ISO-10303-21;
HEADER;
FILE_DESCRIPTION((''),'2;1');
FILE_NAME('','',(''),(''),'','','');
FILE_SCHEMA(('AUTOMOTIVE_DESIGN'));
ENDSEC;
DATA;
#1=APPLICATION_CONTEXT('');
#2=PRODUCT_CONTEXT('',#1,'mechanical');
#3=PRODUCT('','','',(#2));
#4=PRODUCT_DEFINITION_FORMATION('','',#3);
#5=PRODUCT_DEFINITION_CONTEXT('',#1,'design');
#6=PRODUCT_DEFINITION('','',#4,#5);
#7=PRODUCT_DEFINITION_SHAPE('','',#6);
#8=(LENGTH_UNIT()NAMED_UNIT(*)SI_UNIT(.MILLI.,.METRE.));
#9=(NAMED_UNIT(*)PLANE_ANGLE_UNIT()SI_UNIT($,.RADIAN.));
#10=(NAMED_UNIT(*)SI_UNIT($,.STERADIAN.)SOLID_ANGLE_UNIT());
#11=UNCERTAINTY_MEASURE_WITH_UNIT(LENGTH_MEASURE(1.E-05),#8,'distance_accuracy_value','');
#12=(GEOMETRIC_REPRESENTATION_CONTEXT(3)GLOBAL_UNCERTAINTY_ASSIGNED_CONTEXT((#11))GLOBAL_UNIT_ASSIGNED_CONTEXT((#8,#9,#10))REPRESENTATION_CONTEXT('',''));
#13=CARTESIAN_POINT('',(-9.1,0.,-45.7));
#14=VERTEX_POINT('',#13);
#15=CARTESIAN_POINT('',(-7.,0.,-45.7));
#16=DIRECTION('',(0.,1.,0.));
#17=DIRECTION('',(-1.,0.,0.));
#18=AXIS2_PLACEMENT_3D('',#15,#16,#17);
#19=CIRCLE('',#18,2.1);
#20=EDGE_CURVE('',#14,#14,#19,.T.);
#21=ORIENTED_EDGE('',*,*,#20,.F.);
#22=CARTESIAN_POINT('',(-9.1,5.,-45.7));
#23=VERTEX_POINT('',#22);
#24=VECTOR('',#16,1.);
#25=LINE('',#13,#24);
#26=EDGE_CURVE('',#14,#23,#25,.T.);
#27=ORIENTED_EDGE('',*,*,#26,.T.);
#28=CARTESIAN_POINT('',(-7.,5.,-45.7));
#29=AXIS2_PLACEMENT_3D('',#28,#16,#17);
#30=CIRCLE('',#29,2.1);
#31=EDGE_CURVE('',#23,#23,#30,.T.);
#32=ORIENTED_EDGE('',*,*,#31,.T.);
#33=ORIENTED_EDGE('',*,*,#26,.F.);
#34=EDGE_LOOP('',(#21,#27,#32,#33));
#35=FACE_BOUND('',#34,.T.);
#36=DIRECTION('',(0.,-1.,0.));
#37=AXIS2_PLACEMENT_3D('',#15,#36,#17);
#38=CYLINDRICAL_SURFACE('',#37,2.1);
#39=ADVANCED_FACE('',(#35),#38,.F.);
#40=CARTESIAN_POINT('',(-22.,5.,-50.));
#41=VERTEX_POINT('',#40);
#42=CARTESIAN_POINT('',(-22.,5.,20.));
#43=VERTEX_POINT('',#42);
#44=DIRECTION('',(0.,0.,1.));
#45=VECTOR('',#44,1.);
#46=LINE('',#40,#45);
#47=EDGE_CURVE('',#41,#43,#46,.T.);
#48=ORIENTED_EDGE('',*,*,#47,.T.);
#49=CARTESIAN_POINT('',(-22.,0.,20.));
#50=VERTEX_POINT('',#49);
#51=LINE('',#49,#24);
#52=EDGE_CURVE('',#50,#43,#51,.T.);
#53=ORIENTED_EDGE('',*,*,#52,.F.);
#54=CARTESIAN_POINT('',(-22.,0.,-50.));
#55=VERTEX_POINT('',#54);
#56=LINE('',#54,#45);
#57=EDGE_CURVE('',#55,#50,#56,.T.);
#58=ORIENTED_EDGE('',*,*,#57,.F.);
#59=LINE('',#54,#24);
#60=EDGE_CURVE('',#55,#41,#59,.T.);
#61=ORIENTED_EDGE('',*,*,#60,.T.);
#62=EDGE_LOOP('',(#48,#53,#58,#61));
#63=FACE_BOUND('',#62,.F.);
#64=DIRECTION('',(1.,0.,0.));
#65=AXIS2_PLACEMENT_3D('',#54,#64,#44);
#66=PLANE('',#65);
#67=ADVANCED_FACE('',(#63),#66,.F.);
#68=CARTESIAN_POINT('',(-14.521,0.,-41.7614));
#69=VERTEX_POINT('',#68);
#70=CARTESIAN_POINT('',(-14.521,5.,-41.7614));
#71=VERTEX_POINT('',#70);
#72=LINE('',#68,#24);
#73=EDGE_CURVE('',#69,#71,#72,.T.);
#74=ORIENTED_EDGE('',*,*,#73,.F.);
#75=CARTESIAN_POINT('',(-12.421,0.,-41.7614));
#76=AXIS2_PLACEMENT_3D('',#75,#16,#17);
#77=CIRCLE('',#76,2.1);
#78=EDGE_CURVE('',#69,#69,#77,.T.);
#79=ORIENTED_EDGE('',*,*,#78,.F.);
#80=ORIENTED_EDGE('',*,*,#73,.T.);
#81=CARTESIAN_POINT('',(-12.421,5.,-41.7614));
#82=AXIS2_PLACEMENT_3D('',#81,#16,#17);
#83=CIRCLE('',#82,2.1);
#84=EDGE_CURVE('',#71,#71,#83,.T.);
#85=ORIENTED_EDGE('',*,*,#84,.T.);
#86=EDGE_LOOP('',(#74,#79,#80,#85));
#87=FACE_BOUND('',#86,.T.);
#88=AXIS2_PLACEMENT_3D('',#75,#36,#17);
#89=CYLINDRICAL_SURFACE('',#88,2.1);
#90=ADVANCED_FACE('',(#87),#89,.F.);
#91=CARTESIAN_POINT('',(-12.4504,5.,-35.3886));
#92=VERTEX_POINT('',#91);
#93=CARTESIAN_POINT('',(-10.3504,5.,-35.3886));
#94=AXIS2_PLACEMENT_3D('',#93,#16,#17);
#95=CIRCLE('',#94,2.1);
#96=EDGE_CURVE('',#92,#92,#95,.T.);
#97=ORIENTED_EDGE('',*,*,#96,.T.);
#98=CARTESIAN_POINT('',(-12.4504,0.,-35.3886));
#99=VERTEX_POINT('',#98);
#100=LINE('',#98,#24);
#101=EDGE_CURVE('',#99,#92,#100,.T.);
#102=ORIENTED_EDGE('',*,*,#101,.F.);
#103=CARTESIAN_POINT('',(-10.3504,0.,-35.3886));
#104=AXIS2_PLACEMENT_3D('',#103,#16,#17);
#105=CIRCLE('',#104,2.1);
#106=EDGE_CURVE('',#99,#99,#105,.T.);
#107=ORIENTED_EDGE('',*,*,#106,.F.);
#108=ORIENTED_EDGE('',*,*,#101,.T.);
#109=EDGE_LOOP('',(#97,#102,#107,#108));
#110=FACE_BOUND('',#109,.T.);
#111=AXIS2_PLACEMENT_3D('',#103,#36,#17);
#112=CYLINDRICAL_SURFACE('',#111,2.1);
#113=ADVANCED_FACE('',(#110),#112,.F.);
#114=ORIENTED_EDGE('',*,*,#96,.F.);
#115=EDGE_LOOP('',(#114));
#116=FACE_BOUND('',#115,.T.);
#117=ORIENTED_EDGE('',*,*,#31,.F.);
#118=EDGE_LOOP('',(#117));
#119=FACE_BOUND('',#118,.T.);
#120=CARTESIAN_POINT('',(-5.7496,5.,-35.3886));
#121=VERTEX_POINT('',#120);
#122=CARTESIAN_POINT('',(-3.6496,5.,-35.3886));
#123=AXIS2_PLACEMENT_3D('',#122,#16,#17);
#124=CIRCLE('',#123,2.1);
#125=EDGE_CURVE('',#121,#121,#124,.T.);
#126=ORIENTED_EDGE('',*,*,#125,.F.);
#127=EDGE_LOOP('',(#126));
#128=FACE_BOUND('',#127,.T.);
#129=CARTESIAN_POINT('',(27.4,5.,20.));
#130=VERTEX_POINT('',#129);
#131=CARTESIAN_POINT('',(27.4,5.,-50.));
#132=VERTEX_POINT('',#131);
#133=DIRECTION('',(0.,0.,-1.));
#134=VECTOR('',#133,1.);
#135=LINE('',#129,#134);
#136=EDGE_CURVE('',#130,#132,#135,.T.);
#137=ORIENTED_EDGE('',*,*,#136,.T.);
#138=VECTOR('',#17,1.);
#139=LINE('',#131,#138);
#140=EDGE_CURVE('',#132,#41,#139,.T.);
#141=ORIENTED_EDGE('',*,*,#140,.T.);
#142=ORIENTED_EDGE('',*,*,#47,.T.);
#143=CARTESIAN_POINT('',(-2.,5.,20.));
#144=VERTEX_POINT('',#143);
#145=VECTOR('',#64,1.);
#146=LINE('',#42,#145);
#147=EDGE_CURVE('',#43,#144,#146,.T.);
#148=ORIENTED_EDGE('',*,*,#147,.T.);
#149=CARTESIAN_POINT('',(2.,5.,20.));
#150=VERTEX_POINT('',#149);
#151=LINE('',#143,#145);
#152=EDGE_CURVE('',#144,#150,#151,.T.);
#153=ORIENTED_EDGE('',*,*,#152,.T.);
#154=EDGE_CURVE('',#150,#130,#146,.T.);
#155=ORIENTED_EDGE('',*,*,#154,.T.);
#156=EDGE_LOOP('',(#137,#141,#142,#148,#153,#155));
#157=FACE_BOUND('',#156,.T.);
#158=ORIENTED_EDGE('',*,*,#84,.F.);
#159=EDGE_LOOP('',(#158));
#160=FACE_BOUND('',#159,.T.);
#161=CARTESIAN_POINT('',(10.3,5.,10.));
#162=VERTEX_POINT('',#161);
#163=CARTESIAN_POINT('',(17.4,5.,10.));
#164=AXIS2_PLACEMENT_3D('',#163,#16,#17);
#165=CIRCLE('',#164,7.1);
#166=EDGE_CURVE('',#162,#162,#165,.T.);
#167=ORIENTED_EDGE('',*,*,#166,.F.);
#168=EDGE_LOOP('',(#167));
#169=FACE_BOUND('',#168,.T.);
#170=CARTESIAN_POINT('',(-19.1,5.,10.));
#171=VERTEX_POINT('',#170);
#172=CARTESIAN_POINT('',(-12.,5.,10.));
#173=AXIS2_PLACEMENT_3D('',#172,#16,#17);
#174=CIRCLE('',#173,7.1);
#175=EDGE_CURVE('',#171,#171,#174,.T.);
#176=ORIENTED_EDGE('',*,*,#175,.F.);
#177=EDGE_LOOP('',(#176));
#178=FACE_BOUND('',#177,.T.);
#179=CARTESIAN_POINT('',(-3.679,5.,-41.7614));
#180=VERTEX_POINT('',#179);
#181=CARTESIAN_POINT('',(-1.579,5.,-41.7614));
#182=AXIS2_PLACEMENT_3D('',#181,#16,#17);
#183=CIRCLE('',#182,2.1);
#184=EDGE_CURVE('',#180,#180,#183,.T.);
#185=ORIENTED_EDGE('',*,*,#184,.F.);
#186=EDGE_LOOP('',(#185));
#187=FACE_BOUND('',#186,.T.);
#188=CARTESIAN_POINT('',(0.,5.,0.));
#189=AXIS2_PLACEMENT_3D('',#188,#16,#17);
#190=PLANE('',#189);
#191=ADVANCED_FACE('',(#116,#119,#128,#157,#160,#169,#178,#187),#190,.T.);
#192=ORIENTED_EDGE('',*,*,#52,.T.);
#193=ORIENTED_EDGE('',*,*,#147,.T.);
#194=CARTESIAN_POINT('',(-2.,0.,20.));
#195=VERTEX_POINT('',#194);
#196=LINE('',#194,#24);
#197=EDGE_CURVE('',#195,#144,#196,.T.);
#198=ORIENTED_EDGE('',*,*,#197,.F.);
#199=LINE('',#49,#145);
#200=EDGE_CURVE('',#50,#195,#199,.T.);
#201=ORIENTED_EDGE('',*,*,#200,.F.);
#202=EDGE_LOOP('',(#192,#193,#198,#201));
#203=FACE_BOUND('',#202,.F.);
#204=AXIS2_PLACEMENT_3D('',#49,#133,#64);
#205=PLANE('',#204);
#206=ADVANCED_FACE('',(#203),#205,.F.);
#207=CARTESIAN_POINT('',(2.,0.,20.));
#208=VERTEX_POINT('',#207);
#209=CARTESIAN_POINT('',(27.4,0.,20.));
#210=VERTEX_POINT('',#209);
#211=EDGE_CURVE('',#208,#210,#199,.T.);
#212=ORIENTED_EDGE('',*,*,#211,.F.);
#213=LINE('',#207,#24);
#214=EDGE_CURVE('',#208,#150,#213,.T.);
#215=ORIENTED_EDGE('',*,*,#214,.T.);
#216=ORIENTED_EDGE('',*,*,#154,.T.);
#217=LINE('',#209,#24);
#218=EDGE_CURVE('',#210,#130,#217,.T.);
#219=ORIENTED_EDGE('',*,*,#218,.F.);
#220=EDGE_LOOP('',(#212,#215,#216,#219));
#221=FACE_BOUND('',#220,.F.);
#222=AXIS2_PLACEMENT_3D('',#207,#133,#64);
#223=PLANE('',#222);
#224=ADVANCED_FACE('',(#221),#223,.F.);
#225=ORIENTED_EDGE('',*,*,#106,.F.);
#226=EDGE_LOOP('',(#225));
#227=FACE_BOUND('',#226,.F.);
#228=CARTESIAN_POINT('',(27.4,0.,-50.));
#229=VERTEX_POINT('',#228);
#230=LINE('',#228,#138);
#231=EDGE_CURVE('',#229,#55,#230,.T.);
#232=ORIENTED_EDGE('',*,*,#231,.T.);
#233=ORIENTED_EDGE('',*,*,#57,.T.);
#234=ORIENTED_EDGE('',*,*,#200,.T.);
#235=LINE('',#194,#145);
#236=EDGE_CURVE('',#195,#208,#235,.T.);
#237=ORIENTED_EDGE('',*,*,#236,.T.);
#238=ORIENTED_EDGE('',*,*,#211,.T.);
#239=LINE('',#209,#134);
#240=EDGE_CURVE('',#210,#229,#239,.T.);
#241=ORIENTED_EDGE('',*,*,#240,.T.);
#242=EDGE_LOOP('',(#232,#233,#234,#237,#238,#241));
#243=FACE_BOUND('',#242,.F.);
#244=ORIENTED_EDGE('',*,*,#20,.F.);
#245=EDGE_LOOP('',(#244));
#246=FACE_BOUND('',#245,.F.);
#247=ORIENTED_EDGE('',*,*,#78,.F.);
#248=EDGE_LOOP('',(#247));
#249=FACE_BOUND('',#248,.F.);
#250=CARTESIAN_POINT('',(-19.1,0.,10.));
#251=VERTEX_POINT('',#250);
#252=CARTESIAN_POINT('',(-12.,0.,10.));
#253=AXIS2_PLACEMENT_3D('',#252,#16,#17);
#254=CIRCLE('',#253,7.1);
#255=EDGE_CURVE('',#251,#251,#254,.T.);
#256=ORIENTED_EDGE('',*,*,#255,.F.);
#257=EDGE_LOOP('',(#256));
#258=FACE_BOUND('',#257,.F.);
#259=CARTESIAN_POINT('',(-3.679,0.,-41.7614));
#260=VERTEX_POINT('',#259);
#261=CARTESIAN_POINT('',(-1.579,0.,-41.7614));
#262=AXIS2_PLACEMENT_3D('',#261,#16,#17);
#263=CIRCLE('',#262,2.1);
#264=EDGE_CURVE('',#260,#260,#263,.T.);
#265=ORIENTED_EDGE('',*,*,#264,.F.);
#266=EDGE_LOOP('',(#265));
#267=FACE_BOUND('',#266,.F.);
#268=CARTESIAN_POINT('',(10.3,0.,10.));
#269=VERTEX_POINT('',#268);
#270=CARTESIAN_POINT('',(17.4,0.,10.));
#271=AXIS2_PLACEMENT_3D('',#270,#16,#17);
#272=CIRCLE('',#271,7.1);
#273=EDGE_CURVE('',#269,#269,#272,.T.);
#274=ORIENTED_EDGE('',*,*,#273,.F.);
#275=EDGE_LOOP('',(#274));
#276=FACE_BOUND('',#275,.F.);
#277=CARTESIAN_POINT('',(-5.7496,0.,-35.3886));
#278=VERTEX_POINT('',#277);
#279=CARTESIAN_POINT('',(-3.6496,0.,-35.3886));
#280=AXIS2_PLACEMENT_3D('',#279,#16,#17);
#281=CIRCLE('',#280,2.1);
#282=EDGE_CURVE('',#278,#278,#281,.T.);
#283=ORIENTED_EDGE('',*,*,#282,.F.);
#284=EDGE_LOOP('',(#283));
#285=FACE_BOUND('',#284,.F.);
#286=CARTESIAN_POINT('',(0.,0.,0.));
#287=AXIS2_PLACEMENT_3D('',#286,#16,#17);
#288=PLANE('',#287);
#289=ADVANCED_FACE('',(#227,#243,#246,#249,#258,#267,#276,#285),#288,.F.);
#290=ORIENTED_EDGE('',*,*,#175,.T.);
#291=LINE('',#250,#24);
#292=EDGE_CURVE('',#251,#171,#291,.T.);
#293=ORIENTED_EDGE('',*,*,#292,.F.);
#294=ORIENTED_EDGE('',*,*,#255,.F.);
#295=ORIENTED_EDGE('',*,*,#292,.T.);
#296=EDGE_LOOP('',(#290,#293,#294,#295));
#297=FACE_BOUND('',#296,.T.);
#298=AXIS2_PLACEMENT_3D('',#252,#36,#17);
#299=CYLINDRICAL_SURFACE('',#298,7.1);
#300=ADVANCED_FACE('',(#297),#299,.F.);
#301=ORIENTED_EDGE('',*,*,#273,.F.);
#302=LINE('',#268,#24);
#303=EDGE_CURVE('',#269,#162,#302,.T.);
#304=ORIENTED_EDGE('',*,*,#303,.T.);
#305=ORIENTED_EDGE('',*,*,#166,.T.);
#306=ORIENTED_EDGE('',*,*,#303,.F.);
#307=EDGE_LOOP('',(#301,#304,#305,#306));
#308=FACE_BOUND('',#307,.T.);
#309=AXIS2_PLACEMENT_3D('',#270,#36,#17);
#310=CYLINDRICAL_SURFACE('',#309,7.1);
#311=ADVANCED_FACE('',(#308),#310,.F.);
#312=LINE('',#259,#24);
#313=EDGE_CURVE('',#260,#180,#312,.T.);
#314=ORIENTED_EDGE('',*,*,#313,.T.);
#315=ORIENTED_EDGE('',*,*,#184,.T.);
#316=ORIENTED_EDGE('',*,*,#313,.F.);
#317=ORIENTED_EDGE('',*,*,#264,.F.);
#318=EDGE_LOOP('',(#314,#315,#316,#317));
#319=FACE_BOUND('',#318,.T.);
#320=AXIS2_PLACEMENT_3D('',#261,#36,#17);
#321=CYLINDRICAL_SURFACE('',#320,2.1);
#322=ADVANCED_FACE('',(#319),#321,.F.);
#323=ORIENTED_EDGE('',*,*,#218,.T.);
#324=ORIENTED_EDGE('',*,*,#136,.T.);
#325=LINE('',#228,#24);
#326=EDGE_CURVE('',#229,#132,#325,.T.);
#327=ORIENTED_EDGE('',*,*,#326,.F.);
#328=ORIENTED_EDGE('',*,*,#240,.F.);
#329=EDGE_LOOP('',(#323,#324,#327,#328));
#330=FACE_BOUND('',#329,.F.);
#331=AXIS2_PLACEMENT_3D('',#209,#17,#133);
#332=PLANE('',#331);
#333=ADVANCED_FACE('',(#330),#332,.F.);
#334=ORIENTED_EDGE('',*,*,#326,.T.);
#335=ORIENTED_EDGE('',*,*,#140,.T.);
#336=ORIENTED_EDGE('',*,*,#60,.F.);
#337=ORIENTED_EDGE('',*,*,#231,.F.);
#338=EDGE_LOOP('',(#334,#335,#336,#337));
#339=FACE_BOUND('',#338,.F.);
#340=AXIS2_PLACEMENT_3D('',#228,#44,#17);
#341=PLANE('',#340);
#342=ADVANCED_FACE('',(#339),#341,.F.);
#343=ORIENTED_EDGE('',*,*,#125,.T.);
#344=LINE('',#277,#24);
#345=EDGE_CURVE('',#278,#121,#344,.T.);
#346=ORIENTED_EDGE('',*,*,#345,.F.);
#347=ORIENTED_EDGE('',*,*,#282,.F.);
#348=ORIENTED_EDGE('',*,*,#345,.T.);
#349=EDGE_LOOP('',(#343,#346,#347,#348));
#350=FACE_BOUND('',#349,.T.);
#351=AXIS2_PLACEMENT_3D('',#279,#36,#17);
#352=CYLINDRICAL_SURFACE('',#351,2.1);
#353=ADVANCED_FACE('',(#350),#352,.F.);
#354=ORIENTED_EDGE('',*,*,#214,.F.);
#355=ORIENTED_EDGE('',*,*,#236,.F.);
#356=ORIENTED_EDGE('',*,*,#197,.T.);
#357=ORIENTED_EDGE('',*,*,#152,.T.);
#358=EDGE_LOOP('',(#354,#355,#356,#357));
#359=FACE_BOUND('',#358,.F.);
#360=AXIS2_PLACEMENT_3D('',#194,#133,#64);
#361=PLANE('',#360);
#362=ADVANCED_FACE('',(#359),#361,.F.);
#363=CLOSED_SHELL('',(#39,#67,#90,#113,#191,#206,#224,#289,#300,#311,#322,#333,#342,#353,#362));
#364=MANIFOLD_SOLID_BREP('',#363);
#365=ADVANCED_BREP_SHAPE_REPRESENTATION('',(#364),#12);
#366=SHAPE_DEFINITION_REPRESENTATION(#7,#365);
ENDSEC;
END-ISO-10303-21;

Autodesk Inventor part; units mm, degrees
ref_plane "YZ Plane" through (0, 0, 0) normal (1, 0, 0) x (0, 1, 0)
ref_plane "XZ Plane" through (0, 0, 0) normal (0, 1, 0) x (-1, 0, 0)
ref_plane "XY Plane" through (0, 0, 0) normal (0, 0, 1) x (1, 0, 0)
sketch "Sketch1" plane through (0, 0, 0) normal (0, 1, 0) x (-1, 0, 0)
  line L0 (-27.4, -50) -> (22, -50)
  line L1 (22, -50) -> (22, 20)
  line L2 (22, 20) -> (-27.4, 20)
  line L3 (-27.4, 20) -> (-27.4, -50)
  line L4 (2, 20) -> (-2, 20)
  circle A0 centre (12, 10) radius 7.1
  circle A1 centre (-17.4, 10) radius 7.1
  circle A2 centre (7, -45.7) radius 2.1
  circle A3 centre (12.421, -41.7614) radius 2.1
  circle A4 centre (10.3504, -35.3886) radius 2.1
  circle A5 centre (3.6496, -35.3886) radius 2.1
  circle A6 centre (1.579, -41.7614) radius 2.1
  circle A7 centre (12, 10) radius 14.625 construction
  circle A8 centre (-17.4, 10) radius 14.625 construction
  point P0 (0, 0)
  point P1 (7, -40)
  dimension "d1" = 70
  dimension "d8" = 10
  dimension "d9" = 14.2
  dimension "d10" = 14.2
  dimension "d11" = 10
  dimension "d13" = 10
  dimension "d16" = 4.2
  dimension "d17" = 5.7
  dimension "d20" = 360
  dimension "d22" = 10
  dimension "d27" = 29.25
  dimension "d28" = 29.25
  dimension "d29" = 29.4
  dimension "d30" = 10
  dimension "d31" = 15
extrude "Extrusion3" add sketch "Sketch1" along normal blind 5
properties part number "Side Peices"
